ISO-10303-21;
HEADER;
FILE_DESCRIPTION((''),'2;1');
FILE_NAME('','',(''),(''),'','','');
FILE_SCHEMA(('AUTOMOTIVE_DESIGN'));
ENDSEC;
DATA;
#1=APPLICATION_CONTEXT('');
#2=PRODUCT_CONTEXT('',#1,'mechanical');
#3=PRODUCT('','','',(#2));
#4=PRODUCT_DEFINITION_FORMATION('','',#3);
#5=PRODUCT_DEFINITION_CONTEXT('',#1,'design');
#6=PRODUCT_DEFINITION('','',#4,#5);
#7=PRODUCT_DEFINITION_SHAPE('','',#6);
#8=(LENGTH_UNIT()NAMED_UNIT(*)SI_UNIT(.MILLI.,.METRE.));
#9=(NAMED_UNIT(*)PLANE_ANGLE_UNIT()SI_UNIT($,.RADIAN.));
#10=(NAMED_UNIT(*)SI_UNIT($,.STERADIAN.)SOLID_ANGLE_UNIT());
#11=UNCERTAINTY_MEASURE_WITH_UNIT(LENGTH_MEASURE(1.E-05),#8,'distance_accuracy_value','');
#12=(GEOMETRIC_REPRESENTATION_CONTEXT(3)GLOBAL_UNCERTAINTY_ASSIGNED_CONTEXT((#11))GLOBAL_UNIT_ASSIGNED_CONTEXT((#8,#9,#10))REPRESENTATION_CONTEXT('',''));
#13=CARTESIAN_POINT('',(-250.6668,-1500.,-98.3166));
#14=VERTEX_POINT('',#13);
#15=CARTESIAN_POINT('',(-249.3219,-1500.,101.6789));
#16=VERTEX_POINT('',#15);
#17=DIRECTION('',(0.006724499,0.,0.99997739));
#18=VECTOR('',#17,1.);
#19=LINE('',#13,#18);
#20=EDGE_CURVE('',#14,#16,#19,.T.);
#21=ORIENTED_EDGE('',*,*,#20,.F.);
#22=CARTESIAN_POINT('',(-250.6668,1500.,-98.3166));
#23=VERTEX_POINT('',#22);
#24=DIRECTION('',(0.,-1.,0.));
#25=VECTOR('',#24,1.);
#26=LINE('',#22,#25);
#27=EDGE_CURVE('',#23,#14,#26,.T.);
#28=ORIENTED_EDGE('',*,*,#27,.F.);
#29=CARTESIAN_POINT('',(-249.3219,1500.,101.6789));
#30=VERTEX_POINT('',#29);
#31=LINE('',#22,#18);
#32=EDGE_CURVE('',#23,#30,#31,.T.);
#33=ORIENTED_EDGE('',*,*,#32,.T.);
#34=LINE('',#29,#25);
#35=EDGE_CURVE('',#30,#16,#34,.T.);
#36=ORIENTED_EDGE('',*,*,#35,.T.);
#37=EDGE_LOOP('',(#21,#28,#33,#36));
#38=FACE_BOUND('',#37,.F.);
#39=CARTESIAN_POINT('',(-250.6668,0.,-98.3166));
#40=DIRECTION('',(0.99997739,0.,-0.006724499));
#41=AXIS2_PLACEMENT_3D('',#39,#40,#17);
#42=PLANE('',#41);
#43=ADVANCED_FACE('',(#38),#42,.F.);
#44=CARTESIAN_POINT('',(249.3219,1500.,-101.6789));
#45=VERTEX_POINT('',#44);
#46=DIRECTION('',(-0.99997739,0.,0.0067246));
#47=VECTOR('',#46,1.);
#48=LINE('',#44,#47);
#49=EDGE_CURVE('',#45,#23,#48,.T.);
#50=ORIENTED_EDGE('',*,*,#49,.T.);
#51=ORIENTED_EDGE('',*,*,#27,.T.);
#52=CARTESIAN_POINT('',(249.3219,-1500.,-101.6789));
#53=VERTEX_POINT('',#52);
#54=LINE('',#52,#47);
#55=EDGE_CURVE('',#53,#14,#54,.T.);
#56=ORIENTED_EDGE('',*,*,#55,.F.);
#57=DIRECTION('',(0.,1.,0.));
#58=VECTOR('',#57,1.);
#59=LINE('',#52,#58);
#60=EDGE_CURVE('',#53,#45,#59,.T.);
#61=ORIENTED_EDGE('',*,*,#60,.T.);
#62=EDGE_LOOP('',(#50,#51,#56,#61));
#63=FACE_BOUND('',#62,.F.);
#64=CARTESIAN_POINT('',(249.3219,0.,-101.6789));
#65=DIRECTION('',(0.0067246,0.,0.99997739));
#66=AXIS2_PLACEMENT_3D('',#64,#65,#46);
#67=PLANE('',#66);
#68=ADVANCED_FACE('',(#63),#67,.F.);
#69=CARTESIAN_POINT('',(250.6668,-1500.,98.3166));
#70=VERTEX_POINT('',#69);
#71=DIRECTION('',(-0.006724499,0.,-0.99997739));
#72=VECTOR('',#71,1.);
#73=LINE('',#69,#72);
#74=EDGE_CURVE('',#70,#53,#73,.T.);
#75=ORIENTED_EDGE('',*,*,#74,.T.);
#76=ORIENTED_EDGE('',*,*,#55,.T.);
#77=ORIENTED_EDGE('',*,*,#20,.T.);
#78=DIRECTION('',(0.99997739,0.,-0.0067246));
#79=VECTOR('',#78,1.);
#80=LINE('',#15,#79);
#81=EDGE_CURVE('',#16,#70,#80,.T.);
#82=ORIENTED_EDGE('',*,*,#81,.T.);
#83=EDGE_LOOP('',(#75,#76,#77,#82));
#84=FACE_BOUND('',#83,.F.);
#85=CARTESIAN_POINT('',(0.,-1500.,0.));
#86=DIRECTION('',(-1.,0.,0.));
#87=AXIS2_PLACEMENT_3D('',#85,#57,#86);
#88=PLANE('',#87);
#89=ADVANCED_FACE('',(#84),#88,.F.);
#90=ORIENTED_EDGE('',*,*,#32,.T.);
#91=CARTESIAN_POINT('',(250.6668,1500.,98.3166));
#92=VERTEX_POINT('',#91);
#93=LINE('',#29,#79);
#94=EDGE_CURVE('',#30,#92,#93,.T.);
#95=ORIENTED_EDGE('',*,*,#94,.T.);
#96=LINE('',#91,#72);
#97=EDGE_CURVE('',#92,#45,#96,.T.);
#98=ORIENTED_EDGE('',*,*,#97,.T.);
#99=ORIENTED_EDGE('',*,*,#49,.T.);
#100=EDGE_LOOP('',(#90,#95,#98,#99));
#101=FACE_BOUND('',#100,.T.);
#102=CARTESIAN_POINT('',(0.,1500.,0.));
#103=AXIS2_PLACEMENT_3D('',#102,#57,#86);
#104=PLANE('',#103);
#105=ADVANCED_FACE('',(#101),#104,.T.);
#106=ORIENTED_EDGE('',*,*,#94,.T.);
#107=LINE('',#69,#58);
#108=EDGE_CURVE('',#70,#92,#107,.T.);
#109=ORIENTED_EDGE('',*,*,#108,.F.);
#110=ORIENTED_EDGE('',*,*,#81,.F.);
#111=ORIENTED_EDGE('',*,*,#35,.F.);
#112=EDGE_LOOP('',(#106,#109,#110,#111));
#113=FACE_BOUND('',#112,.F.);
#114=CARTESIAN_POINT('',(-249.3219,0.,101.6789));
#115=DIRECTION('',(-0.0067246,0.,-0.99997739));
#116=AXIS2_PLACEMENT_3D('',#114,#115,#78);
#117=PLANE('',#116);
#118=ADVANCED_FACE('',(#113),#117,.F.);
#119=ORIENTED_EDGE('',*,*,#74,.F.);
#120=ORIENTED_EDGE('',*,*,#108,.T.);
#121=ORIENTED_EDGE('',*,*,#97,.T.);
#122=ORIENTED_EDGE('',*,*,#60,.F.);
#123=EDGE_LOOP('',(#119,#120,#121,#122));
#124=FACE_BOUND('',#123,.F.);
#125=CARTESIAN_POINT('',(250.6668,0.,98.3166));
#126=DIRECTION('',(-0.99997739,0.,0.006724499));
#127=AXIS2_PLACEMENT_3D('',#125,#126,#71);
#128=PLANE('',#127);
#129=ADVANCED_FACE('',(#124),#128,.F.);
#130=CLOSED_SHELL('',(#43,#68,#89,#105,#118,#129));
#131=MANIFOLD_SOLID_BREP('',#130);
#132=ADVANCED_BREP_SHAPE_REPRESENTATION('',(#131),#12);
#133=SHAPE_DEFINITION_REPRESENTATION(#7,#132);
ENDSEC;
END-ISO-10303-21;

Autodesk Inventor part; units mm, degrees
ref_plane "YZ Plane" through (0, 0, 0) normal (1, 0, 0) x (0, 1, 0)
ref_plane "XZ Plane" through (0, 0, 0) normal (0, 1, 0) x (-1, 0, 0)
ref_plane "XY Plane" through (0, 0, 0) normal (0, 0, 1) x (1, 0, 0)
sketch "Sketch1" plane through (0, 0, 0) normal (0, 1, 0) x (-1, 0, 0)
  circle A0 centre (0, 0) radius 1500 construction
  circle A1 centre (0, 0) radius 1500 construction
  circle A2 centre (0, 0) radius 1500 construction
  circle A3 centre (0, 0) radius 1500 construction
  circle A4 centre (0, 0) radius 1500 construction
  circle A5 centre (0, 0) radius 1500 construction
  circle A6 centre (0, 0) radius 1500 construction
  circle A7 centre (0, 0) radius 1500 construction
  circle A8 centre (0, 0) radius 1500 construction
  circle A9 centre (0, 0) radius 1500 construction
  circle A10 centre (0, 0) radius 1500 construction
  circle A11 centre (0, 0) radius 1500 construction
  circle A12 centre (0, 0) radius 1500 construction
  circle A13 centre (0, 0) radius 1500 construction
  circle A14 centre (0, 0) radius 1500 construction
  circle A15 centre (0, 0) radius 1500 construction
  circle A16 centre (50000, 0) radius 38.1
  circle A17 centre (0, 50000) radius 38.1
  circle A18 centre (-50000, 0) radius 38.1
  circle A19 centre (0, -50000) radius 38.1
  line L0 (-250.6668, 98.3166) -> (-249.3219, -101.6789)
  line L1 (-249.3219, -101.6789) -> (250.6668, -98.3166)
  line L2 (250.6668, -98.3166) -> (249.3219, 101.6789)
  line L3 (249.3219, 101.6789) -> (-250.6668, 98.3166)
  line L4 (-250.6668, 98.3166) -> (250.6668, -98.3166) construction
  line L5 (-249.3219, -101.6789) -> (249.3219, 101.6789) construction
  point P0 (1486.3676, 201.7706)
  point P1 (1296.0103, 755.22)
  point P2 (908.3473, 1193.694)
  point P3 (382.3965, 1450.4389)
  point P4 (-201.7706, 1486.3676)
  point P5 (-755.22, 1296.0103)
  point P6 (-1193.694, 908.3473)
  point P7 (-1450.4389, 382.3965)
  point P8 (-1486.3676, -201.7706)
  point P9 (-1296.0103, -755.22)
  point P10 (-908.3473, -1193.694)
  point P11 (-382.3965, -1450.4389)
  point P12 (201.7706, -1486.3676)
  point P13 (755.22, -1296.0103)
  point P14 (1193.694, -908.3473)
  point P15 (1450.4389, -382.3965)
  dimension "d0" = 3000
  dimension "d3" = 360
  dimension "d7" = 50000
  dimension "d10" = 360
  dimension "d12" = 76.2
  dimension "d14" = 200
  dimension "d15" = 500
extrude "Extrusion2" add sketch "Sketch1" along normal mid plane 3000 contours L3 L2 L1 L0
properties part number "simple_object2"
